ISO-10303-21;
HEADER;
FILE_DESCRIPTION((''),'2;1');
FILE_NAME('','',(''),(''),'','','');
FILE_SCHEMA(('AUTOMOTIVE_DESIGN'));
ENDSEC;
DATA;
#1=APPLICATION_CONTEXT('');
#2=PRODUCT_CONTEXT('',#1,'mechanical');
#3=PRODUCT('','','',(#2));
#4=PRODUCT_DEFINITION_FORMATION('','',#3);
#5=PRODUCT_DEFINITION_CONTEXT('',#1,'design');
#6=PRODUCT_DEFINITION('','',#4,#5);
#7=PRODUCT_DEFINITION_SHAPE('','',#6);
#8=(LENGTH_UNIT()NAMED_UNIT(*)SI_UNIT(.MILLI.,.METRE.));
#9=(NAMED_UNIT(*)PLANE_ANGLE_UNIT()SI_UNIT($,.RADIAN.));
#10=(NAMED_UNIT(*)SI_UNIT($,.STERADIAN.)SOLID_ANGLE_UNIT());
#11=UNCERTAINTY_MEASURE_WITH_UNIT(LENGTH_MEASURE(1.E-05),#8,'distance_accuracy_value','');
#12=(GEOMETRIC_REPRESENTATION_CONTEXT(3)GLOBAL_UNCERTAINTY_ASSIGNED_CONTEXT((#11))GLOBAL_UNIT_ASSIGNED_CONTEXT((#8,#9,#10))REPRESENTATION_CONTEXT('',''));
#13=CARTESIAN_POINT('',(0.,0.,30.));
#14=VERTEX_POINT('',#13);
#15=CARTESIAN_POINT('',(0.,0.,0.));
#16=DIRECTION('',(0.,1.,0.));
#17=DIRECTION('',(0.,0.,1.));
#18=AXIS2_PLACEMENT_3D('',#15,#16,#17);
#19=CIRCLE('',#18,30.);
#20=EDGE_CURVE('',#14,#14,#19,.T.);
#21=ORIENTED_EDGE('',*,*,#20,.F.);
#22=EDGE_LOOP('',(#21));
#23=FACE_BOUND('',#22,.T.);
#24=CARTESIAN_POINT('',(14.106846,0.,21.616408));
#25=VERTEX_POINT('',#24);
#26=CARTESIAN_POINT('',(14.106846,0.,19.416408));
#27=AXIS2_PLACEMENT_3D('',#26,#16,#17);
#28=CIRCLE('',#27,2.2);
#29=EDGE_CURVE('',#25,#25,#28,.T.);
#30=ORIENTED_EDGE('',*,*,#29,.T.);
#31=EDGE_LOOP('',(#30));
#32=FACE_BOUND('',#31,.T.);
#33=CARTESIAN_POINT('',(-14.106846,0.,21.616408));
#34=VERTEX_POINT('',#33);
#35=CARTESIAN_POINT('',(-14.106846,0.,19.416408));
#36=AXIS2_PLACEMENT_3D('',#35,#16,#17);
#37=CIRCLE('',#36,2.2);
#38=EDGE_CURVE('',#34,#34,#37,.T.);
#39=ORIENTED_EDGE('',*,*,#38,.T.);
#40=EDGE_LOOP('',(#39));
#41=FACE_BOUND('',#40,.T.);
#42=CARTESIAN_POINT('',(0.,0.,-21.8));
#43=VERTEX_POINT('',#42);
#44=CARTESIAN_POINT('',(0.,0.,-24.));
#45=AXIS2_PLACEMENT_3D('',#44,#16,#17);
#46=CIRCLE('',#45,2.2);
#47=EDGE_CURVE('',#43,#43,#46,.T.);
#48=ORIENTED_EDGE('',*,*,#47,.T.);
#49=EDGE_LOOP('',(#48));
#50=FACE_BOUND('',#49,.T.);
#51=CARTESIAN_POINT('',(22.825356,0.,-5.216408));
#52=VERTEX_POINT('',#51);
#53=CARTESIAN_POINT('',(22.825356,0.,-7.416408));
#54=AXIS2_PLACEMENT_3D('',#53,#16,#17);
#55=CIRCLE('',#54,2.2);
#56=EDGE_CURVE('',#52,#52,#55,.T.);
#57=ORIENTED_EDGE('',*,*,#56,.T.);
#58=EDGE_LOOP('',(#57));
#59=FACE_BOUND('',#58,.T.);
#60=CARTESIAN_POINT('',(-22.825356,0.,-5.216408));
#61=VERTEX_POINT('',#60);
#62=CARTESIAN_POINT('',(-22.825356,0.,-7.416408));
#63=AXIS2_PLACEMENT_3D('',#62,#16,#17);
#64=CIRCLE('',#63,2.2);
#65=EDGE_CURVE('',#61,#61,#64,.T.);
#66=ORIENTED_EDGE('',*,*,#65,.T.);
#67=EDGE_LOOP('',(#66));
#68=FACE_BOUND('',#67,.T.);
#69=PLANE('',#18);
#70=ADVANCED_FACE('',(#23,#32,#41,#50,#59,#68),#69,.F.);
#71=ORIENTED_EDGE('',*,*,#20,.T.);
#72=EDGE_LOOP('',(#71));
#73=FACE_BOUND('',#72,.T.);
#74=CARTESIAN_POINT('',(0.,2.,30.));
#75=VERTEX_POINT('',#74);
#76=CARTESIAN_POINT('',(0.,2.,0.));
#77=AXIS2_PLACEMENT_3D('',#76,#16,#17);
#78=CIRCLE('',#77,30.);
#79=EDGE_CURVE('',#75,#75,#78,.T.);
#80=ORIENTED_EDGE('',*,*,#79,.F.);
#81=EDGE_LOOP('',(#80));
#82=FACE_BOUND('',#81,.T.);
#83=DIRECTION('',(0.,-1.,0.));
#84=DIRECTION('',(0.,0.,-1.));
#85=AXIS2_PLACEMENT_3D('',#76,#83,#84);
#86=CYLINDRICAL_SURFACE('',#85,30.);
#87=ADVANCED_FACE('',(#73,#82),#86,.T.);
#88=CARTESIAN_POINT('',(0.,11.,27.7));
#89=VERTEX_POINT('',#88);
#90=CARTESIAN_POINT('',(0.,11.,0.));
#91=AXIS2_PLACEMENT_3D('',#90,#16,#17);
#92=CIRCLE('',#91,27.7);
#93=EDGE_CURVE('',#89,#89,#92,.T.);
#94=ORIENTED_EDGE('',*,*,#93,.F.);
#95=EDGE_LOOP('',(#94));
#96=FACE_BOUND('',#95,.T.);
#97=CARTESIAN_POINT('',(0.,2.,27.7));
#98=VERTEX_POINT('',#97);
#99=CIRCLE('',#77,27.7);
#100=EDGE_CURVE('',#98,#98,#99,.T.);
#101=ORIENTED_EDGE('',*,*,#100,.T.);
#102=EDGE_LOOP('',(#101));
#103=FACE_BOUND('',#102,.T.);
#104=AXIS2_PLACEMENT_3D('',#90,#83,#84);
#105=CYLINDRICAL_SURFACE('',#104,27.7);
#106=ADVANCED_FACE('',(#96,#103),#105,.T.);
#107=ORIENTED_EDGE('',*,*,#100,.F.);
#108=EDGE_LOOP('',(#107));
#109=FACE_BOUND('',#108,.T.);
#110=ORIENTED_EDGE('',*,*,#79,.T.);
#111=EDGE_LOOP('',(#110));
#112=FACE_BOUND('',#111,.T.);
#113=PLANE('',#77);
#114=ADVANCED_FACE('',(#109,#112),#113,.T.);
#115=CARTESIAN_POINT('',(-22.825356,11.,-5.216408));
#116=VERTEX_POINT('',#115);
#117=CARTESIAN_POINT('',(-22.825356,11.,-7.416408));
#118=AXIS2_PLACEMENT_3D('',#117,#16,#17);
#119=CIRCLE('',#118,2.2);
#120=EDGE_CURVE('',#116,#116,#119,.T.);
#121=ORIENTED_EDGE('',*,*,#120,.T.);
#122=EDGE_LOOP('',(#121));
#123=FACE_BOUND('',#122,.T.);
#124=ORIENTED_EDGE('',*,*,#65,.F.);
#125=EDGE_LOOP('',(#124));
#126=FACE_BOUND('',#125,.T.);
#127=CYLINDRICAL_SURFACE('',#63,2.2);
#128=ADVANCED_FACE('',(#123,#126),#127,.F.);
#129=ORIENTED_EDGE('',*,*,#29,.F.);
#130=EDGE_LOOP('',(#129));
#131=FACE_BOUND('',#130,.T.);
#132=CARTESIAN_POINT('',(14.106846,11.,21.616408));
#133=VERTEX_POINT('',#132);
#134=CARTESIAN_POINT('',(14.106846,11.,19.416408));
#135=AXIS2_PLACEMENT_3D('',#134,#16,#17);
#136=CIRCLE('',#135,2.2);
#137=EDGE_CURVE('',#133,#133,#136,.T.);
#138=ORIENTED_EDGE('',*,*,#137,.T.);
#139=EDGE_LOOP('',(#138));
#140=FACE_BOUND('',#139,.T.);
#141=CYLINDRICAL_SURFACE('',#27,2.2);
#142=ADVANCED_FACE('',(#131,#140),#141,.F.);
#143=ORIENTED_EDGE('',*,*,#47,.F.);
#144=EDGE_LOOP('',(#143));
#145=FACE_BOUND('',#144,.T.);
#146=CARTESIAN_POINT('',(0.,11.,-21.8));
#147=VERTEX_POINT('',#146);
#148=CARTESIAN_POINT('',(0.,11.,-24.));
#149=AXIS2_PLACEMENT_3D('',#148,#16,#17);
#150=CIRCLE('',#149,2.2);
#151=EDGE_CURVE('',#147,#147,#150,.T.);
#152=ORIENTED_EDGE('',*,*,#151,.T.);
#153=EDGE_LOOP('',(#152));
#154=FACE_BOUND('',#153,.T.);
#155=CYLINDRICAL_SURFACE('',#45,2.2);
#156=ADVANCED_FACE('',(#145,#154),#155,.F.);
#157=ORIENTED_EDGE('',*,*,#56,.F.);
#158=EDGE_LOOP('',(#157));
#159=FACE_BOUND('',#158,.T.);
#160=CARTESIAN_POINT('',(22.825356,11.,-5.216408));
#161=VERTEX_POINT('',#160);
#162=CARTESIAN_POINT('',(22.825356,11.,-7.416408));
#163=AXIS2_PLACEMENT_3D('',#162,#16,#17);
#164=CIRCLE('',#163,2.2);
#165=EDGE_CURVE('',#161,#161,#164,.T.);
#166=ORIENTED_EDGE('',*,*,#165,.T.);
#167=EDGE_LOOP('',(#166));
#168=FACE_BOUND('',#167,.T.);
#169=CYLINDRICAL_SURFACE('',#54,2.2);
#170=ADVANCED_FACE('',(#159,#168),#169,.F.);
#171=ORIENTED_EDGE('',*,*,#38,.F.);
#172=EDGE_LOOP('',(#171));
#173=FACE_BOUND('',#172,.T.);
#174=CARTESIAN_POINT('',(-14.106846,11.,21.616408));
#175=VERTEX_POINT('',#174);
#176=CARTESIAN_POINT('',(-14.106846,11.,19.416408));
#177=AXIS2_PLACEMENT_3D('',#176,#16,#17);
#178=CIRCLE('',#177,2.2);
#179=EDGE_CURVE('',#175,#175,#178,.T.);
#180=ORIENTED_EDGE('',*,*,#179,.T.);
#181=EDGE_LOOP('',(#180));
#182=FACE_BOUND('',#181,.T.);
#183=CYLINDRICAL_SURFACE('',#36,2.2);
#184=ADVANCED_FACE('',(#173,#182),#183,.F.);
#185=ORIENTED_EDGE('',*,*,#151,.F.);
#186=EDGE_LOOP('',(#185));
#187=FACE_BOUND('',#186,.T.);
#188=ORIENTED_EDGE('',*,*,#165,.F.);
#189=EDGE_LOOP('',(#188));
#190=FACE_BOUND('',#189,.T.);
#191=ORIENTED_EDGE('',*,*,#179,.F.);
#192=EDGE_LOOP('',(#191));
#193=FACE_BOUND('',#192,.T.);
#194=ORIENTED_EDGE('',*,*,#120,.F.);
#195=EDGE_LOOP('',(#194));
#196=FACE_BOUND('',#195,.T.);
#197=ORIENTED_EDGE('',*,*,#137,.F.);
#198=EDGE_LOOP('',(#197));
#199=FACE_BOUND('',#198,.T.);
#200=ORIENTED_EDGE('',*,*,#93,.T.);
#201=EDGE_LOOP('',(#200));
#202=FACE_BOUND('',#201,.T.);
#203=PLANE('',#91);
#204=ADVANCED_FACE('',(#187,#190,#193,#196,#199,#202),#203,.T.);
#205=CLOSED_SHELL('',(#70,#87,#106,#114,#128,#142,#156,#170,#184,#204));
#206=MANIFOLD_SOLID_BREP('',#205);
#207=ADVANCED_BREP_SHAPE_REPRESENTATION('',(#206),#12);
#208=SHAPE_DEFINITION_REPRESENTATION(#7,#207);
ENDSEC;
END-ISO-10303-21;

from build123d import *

# Parameters (mm, degrees)
SKETCH3_R           = 27.7
BOSS_EXTRUDE2_DEPTH = 11
SKETCH4_R           = 30
BOSS_EXTRUDE3_DEPTH = 2
SKETCH5_R           = 2.2
CUT_EXTRUDE1_DEPTH  = 44.829214002


with BuildPart() as part:
    # Sketch3 → Boss-Extrude2 (new body)
    with BuildSketch(Plane(origin=(0, 0, 0), x_dir=(1, 0, 0), z_dir=(0, 1, 0))):
        with Locations(Location((0, 0, 0), (0, 0, 270))):
            Circle(SKETCH3_R)
    extrude(amount=BOSS_EXTRUDE2_DEPTH)

    # Sketch4 → Boss-Extrude3 (add)
    with BuildSketch(Plane(origin=(0, 0, 0), x_dir=(1, 0, 0), z_dir=(0, 1, 0))):
        with Locations(Location((0, 0, 0), (0, 0, 270))):
            Circle(SKETCH4_R)
    extrude(amount=BOSS_EXTRUDE3_DEPTH)

    # Sketch5 → Cut-Extrude1 (cut, through all)
    with BuildSketch(Plane(origin=(0, 11, 0), x_dir=(1, 0, 0), z_dir=(0, 1, 0))):
        with Locations(Location((0, 24, 0), (0, 0, 270))):
            Circle(SKETCH5_R)
        with Locations(Location((22.825356391, 7.416407865, 0), (0, 0, 270))):
            Circle(SKETCH5_R)
        with Locations(Location((14.106846055, -19.416407865, 0), (0, 0, 270))):
            Circle(SKETCH5_R)
        with Locations(Location((-14.106846055, -19.416407865, 0), (0, 0, 270))):
            Circle(SKETCH5_R)
        with Locations(Location((-22.825356391, 7.416407865, 0), (0, 0, 270))):
            Circle(SKETCH5_R)
    extrude(amount=-CUT_EXTRUDE1_DEPTH, mode=Mode.SUBTRACT)


solid = part.part
